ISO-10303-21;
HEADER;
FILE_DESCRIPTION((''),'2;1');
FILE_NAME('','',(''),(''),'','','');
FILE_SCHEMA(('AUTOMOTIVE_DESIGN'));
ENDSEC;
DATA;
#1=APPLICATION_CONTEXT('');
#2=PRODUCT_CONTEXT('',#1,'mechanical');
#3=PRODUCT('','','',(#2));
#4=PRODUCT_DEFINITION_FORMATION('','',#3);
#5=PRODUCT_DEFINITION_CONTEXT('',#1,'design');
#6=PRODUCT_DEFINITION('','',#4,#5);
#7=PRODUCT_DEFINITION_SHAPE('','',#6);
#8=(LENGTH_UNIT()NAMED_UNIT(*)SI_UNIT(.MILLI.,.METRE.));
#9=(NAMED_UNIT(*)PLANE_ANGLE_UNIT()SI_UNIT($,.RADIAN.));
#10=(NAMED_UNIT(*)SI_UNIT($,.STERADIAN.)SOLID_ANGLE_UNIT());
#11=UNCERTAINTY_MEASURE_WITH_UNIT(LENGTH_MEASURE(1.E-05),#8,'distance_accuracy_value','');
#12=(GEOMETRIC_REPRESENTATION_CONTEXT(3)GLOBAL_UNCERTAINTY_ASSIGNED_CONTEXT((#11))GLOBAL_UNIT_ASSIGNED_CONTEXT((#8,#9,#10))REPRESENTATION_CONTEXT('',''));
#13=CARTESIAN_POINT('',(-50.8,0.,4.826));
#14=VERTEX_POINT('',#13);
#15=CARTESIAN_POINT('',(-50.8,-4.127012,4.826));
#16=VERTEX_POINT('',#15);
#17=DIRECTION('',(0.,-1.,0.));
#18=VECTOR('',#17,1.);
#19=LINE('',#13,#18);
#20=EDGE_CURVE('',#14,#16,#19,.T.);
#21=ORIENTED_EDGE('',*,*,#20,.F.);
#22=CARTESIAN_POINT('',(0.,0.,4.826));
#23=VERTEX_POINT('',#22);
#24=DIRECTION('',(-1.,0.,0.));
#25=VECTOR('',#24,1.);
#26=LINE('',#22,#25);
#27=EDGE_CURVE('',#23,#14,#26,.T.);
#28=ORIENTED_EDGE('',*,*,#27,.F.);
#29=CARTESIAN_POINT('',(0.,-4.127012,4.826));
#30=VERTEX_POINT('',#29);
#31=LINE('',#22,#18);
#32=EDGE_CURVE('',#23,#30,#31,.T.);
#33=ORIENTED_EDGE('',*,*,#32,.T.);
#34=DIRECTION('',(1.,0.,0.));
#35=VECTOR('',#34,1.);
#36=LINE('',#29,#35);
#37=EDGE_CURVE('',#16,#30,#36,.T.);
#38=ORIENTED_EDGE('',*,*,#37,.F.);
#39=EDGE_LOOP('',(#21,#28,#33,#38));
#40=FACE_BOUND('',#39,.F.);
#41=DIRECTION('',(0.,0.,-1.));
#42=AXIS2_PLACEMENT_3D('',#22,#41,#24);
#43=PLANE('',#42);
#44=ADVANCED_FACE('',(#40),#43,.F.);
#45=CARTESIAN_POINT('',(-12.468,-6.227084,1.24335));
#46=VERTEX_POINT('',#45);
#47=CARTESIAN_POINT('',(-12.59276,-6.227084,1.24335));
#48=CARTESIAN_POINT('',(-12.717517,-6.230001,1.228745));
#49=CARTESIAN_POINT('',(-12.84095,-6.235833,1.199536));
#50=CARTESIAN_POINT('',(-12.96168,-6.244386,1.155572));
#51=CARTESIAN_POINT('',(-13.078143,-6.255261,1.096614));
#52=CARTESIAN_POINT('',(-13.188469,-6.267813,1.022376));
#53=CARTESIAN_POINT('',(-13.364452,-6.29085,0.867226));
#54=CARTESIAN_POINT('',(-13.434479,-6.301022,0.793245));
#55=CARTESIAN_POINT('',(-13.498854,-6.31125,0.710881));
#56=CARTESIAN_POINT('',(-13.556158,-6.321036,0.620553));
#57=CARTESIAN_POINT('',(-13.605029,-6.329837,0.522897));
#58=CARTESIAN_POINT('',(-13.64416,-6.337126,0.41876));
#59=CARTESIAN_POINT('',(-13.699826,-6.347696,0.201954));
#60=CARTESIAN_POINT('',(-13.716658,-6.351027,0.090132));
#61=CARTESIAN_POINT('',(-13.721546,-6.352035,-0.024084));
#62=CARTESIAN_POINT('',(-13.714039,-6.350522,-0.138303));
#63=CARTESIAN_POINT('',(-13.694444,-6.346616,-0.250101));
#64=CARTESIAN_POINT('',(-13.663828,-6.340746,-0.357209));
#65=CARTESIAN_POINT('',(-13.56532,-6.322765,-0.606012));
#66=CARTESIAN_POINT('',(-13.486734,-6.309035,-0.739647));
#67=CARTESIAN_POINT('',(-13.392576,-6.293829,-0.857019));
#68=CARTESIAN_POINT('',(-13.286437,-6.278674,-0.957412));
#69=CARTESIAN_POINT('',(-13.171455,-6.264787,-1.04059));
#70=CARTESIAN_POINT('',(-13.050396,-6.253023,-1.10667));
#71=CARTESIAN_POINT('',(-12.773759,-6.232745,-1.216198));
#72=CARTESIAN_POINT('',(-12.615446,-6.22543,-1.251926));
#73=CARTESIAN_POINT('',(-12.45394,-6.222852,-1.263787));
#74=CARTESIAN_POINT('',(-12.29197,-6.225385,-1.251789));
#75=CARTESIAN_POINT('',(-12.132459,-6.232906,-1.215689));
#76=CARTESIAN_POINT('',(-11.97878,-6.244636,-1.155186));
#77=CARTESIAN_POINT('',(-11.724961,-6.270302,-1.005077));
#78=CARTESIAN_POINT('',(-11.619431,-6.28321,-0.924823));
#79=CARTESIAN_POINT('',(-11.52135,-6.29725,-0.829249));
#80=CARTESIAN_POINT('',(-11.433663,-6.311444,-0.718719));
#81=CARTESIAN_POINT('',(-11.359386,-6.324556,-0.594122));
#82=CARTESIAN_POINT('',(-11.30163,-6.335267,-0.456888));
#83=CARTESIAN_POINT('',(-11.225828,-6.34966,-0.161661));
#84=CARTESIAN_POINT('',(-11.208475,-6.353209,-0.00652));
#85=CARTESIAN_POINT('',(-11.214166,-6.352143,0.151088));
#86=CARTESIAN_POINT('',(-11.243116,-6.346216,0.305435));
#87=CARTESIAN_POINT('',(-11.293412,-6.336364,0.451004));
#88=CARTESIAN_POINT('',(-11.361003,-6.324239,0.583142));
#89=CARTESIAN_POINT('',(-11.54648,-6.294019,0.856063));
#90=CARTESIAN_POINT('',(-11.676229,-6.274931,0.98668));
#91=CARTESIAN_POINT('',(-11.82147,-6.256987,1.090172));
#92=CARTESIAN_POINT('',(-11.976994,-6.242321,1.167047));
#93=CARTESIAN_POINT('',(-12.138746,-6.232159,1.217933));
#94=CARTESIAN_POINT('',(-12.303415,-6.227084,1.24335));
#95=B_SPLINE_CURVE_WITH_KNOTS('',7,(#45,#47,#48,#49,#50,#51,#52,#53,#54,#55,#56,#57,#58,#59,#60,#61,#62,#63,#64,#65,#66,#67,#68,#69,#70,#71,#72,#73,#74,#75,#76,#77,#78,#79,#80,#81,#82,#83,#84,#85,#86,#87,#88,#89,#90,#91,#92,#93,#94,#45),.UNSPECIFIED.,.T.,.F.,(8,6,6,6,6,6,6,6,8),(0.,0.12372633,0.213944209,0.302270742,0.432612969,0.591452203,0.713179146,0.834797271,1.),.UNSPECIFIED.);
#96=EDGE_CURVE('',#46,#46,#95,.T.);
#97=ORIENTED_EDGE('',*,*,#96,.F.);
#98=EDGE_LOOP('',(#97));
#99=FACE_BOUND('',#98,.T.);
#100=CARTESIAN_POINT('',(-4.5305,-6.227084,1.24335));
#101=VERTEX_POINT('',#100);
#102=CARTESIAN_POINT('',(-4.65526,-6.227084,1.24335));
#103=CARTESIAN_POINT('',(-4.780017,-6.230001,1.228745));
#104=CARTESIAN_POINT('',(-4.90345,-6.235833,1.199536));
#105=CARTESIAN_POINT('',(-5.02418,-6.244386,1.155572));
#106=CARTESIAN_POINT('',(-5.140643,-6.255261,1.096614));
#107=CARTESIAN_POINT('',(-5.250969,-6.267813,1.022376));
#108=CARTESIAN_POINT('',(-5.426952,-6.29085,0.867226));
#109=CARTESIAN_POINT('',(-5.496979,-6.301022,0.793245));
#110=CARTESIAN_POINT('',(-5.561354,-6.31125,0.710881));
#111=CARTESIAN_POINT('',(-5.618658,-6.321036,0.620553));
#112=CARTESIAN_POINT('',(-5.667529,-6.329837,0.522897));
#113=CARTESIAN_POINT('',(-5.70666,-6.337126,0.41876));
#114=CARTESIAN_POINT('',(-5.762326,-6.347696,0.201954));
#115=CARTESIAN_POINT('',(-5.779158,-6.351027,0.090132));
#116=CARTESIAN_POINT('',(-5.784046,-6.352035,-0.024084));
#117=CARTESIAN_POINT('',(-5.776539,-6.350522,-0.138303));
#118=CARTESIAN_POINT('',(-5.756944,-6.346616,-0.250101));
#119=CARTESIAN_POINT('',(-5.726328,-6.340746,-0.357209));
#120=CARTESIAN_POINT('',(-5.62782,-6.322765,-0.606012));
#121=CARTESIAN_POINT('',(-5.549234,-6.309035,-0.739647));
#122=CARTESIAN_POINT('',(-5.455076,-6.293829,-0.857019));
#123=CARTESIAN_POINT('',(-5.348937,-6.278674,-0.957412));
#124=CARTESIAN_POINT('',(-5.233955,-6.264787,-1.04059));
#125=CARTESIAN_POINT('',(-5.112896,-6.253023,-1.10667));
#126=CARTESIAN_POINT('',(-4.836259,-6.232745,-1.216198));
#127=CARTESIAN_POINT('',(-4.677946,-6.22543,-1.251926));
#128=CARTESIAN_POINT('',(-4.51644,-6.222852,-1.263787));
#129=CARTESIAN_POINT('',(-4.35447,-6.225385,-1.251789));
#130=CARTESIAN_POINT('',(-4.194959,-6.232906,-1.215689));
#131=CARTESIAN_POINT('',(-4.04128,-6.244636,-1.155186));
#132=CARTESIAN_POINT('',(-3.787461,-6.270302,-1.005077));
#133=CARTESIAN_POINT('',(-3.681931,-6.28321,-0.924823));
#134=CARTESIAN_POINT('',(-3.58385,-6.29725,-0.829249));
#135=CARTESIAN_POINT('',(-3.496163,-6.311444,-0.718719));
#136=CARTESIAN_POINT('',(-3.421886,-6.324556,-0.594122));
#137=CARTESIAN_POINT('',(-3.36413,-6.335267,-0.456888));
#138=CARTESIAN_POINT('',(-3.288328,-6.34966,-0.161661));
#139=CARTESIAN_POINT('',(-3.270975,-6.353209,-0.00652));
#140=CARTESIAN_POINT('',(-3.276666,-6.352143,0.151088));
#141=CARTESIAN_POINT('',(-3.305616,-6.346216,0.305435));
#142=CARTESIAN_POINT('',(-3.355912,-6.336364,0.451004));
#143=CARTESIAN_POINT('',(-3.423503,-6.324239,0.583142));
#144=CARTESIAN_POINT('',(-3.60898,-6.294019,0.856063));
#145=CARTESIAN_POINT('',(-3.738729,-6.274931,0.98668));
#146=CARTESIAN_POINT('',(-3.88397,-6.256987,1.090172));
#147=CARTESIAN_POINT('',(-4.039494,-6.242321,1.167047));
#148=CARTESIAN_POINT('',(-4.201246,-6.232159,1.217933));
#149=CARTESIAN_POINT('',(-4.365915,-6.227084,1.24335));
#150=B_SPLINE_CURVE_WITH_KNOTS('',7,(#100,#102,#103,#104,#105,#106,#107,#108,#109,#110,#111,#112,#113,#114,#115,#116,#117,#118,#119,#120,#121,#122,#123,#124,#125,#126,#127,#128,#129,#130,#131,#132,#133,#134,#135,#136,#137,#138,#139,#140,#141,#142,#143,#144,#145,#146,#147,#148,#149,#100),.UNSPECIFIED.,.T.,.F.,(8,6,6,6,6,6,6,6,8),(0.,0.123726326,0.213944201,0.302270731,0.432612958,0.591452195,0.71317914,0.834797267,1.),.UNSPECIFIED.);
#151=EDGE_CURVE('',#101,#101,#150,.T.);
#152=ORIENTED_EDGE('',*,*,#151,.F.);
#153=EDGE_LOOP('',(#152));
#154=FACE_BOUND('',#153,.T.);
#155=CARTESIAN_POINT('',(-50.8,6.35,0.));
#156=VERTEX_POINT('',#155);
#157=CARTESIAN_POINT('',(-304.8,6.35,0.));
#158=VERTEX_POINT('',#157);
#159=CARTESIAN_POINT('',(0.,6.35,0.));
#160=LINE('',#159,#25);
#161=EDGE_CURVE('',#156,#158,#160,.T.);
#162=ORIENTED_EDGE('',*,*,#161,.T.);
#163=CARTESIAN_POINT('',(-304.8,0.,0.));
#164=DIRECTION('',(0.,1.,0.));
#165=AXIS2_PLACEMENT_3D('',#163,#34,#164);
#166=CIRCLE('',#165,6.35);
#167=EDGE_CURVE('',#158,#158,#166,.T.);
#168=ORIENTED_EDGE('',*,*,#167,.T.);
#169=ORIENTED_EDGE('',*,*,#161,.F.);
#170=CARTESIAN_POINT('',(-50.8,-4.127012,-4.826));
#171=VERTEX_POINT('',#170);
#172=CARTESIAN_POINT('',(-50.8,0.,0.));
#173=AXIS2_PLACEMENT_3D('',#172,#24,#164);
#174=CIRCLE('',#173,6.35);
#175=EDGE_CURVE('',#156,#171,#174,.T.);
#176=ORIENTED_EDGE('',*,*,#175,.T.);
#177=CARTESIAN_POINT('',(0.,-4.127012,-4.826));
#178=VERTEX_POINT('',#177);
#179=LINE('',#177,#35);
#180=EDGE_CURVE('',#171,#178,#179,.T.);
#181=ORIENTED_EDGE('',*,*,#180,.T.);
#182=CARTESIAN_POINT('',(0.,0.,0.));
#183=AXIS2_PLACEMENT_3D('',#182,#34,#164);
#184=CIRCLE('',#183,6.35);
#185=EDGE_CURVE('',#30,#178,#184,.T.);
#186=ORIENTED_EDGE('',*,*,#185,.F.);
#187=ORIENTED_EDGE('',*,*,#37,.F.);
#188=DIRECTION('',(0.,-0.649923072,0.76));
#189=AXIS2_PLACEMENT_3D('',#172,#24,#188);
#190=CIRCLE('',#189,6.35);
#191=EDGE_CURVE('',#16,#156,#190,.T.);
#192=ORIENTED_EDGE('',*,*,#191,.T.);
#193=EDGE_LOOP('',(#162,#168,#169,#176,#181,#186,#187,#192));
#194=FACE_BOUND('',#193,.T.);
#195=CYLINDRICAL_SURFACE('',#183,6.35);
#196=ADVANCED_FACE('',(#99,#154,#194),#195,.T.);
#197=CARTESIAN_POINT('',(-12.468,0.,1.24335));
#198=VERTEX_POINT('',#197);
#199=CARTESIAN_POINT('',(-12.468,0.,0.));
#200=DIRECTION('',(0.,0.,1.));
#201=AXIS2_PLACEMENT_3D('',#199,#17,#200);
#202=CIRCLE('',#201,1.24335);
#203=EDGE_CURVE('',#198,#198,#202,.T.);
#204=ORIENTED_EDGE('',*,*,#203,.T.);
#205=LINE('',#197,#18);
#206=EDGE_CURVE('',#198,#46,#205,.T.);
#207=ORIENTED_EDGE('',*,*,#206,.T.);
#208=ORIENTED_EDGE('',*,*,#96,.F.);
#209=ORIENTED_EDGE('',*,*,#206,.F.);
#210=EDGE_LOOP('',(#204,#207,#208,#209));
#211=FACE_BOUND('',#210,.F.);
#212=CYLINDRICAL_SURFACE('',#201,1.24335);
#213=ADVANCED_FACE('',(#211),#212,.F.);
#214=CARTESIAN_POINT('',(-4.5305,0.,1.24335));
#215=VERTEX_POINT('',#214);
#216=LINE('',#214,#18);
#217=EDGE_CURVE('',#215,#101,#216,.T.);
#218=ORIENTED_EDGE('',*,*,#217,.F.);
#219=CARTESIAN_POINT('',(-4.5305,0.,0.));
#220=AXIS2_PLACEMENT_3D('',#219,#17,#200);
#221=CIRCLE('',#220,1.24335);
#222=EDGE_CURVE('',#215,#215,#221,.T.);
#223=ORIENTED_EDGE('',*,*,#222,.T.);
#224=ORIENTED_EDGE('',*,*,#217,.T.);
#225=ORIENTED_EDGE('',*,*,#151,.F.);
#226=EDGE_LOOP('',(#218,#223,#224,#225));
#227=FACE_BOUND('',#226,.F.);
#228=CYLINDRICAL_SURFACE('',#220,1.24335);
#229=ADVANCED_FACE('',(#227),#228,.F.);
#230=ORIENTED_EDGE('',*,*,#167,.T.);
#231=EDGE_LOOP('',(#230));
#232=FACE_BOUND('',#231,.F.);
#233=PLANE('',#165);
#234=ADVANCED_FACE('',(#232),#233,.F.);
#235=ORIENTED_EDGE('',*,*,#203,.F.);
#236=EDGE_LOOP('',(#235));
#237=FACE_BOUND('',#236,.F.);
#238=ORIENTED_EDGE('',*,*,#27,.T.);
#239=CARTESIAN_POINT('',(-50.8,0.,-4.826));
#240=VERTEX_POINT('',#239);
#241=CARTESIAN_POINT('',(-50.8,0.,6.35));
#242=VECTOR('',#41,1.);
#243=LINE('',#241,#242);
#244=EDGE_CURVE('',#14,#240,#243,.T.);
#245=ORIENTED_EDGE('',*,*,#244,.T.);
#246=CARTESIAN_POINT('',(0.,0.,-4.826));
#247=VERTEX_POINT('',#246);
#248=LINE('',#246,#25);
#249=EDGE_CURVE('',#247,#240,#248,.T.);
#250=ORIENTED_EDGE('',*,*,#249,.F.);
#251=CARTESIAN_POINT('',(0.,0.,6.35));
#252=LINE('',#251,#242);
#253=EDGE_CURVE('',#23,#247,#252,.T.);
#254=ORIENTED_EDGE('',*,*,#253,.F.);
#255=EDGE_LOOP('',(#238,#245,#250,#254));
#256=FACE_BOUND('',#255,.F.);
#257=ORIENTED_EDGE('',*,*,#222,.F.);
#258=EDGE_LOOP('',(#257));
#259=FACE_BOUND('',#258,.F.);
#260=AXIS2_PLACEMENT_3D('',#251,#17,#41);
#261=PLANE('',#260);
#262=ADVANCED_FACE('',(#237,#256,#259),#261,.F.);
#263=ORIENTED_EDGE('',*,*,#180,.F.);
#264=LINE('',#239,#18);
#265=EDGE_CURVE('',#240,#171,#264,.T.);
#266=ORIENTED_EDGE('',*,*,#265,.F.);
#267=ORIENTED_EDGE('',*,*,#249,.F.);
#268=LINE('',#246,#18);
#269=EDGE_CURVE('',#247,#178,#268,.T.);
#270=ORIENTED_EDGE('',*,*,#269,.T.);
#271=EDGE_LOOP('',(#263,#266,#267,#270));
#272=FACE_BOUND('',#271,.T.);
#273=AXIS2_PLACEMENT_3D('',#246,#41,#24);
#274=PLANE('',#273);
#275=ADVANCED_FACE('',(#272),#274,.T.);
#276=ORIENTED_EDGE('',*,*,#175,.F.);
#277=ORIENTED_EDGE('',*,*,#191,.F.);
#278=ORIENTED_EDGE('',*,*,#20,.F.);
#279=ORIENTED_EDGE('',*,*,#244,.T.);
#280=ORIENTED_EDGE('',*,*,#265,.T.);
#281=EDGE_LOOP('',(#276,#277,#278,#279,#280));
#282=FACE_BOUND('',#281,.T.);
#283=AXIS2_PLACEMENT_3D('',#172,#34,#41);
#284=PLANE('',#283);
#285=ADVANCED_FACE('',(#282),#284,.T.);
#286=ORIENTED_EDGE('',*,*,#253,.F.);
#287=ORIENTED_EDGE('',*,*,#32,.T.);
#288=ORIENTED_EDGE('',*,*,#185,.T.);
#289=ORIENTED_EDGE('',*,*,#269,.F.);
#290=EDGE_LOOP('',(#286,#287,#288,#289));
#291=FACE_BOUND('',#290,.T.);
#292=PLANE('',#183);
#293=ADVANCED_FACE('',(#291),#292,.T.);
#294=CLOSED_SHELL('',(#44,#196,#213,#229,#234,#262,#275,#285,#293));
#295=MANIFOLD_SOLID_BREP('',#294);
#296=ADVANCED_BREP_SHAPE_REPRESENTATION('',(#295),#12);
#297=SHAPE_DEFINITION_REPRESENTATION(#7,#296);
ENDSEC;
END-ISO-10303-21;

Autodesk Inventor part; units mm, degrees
ref_plane "YZ Plane" through (0, 0, 0) normal (1, 0, 0) x (0, 1, 0)
ref_plane "XZ Plane" through (0, 0, 0) normal (0, 1, 0) x (-1, 0, 0)
ref_plane "XY Plane" through (0, 0, 0) normal (0, 0, 1) x (1, 0, 0)
sketch "Sketch1" plane through (0, 0, 0) normal (1, 0, 0) x (0, 1, 0)
  circle A0 centre (0, 0) radius 6.35
  dimension "d61" = 12.7
extrude "Extrusion1" add sketch "Sketch1" against normal blind 304.8
sketch "Sketch2" plane through (0, 0, 0) normal (1, 0, 0) x (0, 0, -1)
  arc A0 (6.35, 0) -> (-6.35, 0) centre (0, 0) ccw
  circle A1 centre (0, 0) radius 6.35 projected
  line L0 (-6.35, 0) -> (6.35, 0)
extrude "Extrusion2" cut sketch "Sketch2" against normal blind 50.8 contours L0 A0
sketch "Sketch3" plane through (0, 0, 6.35) normal (0, 1, 0) x (1, 0, 0)
  circle A0 centre (-12.468, 6.35) radius 1.5875
  circle A1 centre (-4.5305, 6.35) radius 1.5875
  line L0 (0, 6.35) -> (-2.943, 6.35)
  line L1 (0, 12.7) -> (0, 0) projected
  line L2 (-2.943, 6.35) -> (-12.468, 6.35) construction
  dimension "d50" = 3.175
  dimension "d48" = 7.9375
  dimension "d49" = 3.175
  dimension "d60" = 2.943
sketch "Sketch5" plane through (0, 0, 6.35) normal (0, 1, 0) x (1, 0, 0)
  line L0 (0, 6.35) -> (0, 11.176)
  line L1 (0, 12.7) -> (0, 0) projected
  line L2 (0, 11.176) -> (-50.8, 11.176)
  line L3 (-50.8, 12.7) -> (-50.8, 0) projected
  line L4 (0, 6.35) -> (0, 1.524)
  line L5 (0, 1.524) -> (-50.8, 1.524)
  line L6 (-50.8, 1.524) -> (-50.8, -4.826)
  line L7 (-50.8, -4.826) -> (10.9985, -4.826)
  line L8 (10.9985, -4.826) -> (0, 1.524)
  line L9 (-50.8, 11.176) -> (-50.8, 17.526)
  line L10 (-50.8, 17.526) -> (10.9985, 17.526)
  line L11 (0, 11.176) -> (10.9985, 17.526)
  line L12 (-50.8, 12.7) -> (0, 12.7) projected
  dimension "d20" = 4.826
  dimension "d21" = 4.826
  dimension "d62" = 4.826
extrude "Extrusion3" cut sketch "Sketch5" against normal blind 25.4 contours L2 L3 L12 L1 | L1 L12 L9 L10 L11 | L8 L7 L6 L3 L5
hole "Hole3" at (-12.468, 0, 0) at (-4.5305, 0, 0) direction (0, -1, 0) diameter 2.4867 end through all thread size "5-40 UNC" class "2B" standard "ANSI Unified Screw Threads"
equation "\"d62\" = d20"
properties part number "rat_headbarStraight" material "Stainless Steel"
